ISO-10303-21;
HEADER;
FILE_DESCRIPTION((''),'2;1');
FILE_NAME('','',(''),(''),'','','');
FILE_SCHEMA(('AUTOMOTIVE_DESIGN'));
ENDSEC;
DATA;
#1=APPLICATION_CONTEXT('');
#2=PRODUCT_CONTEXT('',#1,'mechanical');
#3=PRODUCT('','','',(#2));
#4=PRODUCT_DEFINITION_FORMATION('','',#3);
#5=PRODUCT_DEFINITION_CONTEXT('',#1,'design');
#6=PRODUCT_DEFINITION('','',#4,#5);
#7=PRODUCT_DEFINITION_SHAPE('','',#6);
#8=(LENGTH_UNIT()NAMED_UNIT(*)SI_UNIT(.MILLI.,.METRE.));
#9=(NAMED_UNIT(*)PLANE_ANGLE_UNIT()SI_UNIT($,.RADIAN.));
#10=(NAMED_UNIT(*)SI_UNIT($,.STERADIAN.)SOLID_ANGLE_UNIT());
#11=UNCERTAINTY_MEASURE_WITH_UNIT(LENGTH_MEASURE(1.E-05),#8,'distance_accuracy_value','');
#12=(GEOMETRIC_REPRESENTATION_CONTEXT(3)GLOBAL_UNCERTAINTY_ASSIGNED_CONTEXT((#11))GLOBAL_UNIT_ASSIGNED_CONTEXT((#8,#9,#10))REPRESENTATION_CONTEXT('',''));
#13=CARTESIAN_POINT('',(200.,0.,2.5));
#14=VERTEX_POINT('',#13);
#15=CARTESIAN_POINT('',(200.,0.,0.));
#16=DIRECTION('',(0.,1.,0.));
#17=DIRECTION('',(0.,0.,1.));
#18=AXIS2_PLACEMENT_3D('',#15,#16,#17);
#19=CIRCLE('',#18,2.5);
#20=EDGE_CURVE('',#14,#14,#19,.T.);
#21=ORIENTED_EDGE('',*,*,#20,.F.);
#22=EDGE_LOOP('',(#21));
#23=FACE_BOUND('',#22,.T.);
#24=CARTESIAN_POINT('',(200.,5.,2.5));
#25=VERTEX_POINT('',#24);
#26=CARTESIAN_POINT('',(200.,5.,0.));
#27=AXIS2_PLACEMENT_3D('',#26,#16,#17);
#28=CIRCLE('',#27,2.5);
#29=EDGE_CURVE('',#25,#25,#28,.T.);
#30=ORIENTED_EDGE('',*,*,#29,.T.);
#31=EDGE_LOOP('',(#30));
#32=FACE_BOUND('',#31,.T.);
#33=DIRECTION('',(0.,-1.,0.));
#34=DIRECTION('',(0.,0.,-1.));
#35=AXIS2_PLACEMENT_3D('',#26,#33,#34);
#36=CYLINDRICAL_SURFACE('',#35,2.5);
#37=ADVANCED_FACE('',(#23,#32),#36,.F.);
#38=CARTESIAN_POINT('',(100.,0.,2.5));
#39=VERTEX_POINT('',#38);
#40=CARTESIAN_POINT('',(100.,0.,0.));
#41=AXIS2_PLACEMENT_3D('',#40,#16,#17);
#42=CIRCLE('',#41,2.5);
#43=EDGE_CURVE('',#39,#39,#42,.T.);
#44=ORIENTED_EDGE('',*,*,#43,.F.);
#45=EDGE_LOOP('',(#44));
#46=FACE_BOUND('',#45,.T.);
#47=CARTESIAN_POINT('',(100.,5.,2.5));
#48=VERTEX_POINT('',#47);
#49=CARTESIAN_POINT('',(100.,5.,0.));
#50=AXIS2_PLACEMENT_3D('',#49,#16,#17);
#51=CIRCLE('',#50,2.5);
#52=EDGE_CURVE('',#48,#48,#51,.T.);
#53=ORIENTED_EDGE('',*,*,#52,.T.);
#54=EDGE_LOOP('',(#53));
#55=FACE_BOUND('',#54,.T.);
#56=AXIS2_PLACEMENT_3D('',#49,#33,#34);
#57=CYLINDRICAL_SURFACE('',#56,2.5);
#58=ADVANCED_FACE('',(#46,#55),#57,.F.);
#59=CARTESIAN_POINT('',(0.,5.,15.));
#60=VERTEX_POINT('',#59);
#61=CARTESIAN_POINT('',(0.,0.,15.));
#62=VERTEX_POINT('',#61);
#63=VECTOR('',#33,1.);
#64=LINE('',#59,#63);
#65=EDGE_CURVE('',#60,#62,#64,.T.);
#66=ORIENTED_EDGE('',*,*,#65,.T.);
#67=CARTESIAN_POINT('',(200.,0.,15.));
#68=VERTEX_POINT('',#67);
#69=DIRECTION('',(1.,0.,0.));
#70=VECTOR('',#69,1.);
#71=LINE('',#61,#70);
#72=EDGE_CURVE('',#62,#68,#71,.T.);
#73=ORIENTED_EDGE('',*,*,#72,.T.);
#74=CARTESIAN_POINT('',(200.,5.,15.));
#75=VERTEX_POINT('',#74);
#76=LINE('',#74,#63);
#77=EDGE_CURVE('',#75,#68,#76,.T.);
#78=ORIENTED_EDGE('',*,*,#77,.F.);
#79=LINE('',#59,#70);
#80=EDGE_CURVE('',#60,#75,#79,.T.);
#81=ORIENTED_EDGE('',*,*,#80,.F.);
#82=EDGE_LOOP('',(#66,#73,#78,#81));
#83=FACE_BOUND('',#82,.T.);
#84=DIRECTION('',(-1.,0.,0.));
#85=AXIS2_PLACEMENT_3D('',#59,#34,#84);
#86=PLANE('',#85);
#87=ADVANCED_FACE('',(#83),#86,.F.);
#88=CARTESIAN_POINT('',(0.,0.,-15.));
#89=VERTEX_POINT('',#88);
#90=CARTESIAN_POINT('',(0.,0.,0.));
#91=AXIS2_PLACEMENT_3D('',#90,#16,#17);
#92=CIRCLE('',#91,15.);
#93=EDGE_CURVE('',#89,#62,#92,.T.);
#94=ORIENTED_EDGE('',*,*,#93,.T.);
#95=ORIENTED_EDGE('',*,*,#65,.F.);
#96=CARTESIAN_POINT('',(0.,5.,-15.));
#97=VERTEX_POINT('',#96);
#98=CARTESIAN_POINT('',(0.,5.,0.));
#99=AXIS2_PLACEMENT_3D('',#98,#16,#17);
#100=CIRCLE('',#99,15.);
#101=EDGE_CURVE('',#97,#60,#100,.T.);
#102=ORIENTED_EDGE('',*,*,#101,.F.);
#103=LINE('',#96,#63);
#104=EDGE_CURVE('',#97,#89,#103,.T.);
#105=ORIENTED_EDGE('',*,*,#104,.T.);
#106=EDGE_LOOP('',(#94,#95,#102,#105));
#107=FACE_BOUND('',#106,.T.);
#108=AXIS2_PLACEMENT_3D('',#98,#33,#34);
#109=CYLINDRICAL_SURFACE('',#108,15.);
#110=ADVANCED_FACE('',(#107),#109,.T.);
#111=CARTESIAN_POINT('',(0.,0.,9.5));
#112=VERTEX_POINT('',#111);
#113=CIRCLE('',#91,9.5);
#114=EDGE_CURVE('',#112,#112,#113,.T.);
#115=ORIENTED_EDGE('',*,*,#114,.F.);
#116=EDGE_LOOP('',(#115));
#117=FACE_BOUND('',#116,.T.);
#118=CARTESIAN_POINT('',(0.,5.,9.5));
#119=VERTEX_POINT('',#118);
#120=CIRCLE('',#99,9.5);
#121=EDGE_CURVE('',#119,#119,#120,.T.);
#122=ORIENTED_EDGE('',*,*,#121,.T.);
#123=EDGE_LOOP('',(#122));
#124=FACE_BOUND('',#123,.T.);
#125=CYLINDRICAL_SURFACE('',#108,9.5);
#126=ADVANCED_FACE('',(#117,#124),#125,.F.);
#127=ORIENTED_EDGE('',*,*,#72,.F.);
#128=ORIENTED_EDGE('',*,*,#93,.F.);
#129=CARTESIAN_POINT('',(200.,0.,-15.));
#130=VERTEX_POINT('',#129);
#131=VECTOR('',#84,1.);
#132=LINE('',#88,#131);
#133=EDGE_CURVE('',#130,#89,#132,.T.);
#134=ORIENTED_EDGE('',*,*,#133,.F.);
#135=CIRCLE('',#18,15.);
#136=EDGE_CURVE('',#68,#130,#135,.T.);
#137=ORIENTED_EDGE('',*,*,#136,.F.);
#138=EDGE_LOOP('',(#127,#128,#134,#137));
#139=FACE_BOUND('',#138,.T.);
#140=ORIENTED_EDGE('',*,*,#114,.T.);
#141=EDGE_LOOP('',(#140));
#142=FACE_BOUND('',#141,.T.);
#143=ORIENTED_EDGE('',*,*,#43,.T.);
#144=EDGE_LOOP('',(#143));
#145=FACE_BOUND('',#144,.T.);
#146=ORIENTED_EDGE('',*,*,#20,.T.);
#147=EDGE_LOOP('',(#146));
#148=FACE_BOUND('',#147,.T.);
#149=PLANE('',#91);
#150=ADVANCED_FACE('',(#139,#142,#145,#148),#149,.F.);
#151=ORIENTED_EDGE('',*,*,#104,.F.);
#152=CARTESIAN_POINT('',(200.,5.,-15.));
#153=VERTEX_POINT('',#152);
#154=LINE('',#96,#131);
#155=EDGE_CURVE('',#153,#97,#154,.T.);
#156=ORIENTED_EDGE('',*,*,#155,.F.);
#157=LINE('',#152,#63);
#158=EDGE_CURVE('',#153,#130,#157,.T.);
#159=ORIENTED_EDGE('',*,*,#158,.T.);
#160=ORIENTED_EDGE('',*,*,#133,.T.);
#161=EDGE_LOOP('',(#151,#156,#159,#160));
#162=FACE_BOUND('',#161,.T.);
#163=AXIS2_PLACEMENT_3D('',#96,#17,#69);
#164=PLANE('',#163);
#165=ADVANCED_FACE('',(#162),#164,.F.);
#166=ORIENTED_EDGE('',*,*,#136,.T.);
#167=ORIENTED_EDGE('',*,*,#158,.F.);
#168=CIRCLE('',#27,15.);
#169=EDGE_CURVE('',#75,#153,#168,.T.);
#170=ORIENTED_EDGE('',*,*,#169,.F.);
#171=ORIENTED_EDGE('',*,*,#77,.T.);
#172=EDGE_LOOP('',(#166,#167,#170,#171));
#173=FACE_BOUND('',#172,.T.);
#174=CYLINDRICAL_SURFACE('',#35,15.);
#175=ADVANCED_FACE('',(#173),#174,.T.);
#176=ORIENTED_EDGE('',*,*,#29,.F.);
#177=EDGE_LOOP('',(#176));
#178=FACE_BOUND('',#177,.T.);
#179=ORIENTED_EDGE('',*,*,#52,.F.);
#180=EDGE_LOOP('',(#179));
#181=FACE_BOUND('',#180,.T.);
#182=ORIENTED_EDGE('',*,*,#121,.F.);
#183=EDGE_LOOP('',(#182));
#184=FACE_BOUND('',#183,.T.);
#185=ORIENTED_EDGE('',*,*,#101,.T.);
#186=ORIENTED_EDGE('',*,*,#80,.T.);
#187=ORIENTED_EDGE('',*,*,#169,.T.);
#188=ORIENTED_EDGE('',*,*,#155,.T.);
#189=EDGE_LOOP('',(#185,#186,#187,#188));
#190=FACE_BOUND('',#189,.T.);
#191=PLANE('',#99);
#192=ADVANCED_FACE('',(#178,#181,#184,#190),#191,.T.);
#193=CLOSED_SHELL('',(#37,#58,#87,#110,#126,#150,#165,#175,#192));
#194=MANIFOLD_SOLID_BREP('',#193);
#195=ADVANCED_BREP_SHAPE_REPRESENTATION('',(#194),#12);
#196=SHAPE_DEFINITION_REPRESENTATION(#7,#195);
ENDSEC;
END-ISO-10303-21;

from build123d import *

# Parameters (mm, degrees)
SKETCH_1_R      = 2.5
SKETCH_1_R_2    = 9.5
EXTRUDE_1_DEPTH = 5


with BuildPart() as part:
    # 草图1 → 凸台-拉伸1 (new body)
    with BuildSketch(Plane(origin=(0, 0, 0), x_dir=(1, 0, 0), z_dir=(0, 1, 0))):
        with BuildLine():
            Line((0, 15), (200, 15))
            ThreePointArc((200, 15), (215, 0), (200, -15))
            Line((200, -15), (0, -15))
            ThreePointArc((0, -15), (-15, 0), (0, 15))
        make_face()
        with Locations(Location((200, 0, 0), (0, 0, 270))):
            Circle(SKETCH_1_R, mode=Mode.SUBTRACT)
        with Locations(Location((100, 0, 0), (0, 0, 270))):
            Circle(SKETCH_1_R, mode=Mode.SUBTRACT)
        with Locations(Location((0, 0, 0), (0, 0, 270))):
            Circle(SKETCH_1_R_2, mode=Mode.SUBTRACT)
    extrude(amount=EXTRUDE_1_DEPTH)


solid = part.part
